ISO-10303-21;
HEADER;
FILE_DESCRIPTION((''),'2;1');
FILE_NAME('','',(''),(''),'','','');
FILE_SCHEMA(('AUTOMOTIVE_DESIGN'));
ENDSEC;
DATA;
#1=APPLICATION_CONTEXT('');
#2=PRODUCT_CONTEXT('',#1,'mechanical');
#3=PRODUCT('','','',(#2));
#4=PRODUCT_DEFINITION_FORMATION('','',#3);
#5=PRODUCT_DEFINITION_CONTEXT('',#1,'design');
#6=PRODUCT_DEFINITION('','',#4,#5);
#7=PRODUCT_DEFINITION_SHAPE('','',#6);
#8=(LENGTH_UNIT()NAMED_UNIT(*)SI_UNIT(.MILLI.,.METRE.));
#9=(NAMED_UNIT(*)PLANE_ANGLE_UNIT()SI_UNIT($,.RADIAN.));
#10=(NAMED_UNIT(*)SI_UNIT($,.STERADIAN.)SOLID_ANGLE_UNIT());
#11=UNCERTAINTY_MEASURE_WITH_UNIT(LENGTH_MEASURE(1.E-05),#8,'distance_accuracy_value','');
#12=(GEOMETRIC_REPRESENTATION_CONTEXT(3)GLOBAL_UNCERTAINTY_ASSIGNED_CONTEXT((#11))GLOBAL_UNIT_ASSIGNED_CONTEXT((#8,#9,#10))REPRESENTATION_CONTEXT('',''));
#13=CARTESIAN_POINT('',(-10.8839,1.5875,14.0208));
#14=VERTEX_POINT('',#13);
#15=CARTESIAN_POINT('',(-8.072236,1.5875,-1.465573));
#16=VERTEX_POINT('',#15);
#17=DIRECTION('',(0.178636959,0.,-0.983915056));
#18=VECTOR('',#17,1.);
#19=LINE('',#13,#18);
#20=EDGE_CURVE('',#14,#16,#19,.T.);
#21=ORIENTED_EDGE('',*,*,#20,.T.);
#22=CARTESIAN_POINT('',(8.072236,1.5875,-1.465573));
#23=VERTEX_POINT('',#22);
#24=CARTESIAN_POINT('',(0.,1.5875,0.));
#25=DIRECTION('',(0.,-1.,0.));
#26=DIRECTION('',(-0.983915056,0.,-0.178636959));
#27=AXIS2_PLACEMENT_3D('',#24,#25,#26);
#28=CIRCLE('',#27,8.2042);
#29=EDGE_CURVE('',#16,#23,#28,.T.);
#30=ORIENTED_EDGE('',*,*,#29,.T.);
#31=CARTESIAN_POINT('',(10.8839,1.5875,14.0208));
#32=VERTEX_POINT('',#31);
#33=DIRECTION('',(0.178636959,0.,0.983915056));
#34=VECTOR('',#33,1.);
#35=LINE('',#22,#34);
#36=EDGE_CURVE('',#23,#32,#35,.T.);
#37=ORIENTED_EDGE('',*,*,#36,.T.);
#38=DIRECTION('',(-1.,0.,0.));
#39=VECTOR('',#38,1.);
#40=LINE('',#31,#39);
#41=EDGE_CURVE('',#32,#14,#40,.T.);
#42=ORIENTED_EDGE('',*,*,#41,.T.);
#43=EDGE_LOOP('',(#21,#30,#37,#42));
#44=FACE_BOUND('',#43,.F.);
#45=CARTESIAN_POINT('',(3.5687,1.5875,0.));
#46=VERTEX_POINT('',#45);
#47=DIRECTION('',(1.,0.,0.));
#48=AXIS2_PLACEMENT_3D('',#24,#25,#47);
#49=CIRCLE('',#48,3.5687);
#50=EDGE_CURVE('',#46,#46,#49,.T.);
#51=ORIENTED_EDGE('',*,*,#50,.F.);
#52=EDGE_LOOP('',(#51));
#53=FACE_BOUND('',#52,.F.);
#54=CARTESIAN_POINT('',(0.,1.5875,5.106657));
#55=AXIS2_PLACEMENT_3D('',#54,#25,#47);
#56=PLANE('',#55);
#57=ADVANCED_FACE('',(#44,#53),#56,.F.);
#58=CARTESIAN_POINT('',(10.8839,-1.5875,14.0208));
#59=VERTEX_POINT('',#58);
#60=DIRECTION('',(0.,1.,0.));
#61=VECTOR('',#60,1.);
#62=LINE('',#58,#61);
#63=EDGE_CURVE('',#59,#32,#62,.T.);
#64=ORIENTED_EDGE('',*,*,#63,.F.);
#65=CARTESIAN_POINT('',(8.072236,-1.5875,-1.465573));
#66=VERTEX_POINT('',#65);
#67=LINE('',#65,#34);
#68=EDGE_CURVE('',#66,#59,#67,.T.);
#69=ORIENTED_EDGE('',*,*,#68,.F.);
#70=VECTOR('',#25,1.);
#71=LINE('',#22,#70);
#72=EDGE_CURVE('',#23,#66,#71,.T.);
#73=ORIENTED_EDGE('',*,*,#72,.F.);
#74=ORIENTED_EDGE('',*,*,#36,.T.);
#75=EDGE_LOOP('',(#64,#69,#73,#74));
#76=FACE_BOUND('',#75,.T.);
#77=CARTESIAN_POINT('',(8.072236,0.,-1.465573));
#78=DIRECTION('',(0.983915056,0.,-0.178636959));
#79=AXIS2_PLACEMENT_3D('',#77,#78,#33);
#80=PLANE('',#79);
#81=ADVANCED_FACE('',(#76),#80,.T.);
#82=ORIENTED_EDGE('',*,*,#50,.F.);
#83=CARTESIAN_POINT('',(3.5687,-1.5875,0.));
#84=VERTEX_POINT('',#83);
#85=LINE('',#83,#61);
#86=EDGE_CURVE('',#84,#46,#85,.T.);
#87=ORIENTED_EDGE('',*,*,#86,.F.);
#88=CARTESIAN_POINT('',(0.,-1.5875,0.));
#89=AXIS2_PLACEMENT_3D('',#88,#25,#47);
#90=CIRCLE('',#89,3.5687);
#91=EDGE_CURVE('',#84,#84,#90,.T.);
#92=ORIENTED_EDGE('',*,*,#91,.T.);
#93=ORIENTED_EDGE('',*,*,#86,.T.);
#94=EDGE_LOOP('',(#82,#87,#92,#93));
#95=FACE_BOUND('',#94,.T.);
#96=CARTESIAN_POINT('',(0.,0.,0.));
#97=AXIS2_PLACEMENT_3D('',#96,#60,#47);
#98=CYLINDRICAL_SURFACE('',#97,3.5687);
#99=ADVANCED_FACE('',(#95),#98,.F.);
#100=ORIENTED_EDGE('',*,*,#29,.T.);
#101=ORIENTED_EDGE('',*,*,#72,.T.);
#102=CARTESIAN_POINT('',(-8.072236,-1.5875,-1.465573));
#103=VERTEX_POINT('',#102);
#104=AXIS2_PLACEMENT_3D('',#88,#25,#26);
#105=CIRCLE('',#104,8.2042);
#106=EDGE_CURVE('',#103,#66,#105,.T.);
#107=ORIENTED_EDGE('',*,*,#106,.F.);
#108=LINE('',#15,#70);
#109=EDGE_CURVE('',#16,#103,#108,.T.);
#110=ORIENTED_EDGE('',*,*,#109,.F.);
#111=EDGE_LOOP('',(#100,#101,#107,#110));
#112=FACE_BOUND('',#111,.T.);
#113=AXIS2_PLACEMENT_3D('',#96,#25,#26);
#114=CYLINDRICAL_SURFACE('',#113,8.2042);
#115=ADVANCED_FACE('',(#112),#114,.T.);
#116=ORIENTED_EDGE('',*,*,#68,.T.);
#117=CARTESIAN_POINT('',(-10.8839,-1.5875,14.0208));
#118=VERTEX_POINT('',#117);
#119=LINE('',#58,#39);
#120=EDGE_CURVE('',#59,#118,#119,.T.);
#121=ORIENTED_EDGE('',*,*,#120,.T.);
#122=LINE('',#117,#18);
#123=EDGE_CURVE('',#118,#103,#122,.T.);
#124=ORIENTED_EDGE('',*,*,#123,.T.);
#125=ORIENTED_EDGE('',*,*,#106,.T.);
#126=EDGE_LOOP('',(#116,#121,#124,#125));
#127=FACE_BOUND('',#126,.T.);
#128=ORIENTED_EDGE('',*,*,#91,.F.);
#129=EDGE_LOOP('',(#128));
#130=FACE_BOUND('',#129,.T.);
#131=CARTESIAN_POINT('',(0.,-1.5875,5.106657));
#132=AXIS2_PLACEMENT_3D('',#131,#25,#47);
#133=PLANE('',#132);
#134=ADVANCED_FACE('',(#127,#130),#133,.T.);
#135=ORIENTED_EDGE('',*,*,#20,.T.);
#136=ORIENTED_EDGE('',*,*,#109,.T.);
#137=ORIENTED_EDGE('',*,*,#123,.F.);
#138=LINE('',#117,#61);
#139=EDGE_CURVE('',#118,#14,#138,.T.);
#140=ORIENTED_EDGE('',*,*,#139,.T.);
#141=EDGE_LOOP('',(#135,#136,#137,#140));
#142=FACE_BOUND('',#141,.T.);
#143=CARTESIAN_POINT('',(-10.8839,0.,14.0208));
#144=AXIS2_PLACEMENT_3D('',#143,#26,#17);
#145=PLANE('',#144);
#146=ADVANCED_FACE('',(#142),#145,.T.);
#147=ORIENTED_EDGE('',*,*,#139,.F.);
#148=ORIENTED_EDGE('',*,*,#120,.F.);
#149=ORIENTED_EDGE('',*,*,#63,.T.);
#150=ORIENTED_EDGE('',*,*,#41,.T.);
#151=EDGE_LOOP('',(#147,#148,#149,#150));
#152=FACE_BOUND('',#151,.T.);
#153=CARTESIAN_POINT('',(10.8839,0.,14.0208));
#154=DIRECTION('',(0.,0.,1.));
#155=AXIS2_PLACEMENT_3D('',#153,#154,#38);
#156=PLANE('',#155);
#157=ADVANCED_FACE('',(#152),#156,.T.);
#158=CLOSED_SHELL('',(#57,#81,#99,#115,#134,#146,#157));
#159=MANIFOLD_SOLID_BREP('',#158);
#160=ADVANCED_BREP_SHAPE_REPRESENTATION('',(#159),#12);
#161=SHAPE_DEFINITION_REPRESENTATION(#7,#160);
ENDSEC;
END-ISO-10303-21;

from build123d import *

# Parameters (mm, degrees)
F0_R     = 3.5687
F1_DEPTH = 1.5875


with BuildPart() as f1:
    # F0 (on Front) → F1 (new body, symmetric)
    with BuildSketch(Plane.XZ):
        with BuildLine():
            Line((-10.8839, 14.0208), (-8.0722359001, -1.4655733392))
            ThreePointArc((-8.0722359001, -1.4655733392), (0, -8.2042), (8.0722359001, -1.4655733392))
            Line((8.0722359001, -1.4655733392), (10.8839, 14.0208))
            Line((10.8839, 14.0208), (-10.8839, 14.0208))
        make_face()
        Circle(F0_R, mode=Mode.SUBTRACT)
    extrude(amount=F1_DEPTH, both=True)


solid = f1.part
